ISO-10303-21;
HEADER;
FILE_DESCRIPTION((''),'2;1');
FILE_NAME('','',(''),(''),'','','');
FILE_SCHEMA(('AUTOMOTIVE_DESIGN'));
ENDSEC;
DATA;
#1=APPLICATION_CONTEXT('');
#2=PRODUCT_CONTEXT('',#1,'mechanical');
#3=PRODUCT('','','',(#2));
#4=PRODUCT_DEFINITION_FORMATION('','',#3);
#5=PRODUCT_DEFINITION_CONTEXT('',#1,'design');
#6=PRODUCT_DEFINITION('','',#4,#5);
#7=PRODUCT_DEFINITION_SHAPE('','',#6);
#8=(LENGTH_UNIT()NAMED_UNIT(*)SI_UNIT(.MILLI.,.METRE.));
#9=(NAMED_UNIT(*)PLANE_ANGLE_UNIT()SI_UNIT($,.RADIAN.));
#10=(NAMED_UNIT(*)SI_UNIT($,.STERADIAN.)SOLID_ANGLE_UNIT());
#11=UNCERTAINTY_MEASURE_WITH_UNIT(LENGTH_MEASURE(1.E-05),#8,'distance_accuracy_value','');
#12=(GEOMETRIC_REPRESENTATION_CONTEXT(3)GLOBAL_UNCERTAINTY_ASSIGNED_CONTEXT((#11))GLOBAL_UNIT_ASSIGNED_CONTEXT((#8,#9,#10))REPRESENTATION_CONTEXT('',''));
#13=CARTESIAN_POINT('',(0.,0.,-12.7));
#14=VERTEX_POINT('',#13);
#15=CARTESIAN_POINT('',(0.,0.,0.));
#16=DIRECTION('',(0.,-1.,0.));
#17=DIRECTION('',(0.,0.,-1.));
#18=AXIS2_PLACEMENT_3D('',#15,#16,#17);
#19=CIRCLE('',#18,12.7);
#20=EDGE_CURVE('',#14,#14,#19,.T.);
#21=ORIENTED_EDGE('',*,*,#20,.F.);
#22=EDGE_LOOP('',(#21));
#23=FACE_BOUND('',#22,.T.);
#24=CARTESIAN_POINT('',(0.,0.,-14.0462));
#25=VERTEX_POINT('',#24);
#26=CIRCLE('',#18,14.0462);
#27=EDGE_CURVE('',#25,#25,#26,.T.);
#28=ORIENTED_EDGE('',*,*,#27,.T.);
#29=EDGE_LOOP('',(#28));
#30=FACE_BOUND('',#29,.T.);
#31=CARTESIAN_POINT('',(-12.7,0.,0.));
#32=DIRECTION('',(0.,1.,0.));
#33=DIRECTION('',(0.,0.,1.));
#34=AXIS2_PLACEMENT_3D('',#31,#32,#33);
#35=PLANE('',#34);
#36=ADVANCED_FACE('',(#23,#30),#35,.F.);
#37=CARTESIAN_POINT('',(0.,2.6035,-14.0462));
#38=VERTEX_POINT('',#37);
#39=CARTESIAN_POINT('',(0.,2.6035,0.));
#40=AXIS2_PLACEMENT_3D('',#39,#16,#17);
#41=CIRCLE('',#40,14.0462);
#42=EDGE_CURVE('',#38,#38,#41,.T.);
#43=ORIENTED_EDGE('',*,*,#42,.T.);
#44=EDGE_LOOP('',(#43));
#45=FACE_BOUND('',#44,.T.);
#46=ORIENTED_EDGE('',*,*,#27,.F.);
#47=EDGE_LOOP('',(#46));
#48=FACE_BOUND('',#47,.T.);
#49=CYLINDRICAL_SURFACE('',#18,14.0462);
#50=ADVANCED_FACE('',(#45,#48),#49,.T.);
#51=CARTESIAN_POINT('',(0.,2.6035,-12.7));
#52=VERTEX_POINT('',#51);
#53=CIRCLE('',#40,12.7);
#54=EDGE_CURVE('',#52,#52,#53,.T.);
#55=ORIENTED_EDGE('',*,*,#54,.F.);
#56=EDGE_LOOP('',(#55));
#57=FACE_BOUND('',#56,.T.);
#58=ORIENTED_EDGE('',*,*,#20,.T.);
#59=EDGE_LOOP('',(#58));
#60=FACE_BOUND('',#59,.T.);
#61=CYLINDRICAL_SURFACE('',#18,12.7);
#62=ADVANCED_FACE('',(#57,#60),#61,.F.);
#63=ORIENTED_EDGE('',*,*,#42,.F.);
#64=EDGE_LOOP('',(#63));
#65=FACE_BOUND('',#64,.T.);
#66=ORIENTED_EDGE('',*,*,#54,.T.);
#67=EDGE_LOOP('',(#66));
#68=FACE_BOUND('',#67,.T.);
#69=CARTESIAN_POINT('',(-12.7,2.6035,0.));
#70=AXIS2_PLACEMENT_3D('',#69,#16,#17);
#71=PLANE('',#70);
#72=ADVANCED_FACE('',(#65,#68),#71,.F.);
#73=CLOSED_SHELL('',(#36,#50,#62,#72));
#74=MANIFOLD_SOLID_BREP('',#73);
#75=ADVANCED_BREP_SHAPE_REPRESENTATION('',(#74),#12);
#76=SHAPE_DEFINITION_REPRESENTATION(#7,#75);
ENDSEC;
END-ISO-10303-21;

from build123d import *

# Parameters (mm, degrees)
SKETCH1_W = 1.3462
SKETCH1_H = 2.6035


with BuildPart() as part:
    # Sketch1 → Revolve1 (revolve)
    with BuildSketch(Plane.XY, mode=Mode.PRIVATE) as revolve1_sk:
        with Locations((-13.3731, 1.30175)):
            Rectangle(SKETCH1_W, SKETCH1_H)
    revolve(revolve1_sk.sketch.rotate(Axis((0, 0, 0), (0, 1, 0)), 270), axis=Axis((0, 0, 0), (0, 1, 0)))


solid = part.part
